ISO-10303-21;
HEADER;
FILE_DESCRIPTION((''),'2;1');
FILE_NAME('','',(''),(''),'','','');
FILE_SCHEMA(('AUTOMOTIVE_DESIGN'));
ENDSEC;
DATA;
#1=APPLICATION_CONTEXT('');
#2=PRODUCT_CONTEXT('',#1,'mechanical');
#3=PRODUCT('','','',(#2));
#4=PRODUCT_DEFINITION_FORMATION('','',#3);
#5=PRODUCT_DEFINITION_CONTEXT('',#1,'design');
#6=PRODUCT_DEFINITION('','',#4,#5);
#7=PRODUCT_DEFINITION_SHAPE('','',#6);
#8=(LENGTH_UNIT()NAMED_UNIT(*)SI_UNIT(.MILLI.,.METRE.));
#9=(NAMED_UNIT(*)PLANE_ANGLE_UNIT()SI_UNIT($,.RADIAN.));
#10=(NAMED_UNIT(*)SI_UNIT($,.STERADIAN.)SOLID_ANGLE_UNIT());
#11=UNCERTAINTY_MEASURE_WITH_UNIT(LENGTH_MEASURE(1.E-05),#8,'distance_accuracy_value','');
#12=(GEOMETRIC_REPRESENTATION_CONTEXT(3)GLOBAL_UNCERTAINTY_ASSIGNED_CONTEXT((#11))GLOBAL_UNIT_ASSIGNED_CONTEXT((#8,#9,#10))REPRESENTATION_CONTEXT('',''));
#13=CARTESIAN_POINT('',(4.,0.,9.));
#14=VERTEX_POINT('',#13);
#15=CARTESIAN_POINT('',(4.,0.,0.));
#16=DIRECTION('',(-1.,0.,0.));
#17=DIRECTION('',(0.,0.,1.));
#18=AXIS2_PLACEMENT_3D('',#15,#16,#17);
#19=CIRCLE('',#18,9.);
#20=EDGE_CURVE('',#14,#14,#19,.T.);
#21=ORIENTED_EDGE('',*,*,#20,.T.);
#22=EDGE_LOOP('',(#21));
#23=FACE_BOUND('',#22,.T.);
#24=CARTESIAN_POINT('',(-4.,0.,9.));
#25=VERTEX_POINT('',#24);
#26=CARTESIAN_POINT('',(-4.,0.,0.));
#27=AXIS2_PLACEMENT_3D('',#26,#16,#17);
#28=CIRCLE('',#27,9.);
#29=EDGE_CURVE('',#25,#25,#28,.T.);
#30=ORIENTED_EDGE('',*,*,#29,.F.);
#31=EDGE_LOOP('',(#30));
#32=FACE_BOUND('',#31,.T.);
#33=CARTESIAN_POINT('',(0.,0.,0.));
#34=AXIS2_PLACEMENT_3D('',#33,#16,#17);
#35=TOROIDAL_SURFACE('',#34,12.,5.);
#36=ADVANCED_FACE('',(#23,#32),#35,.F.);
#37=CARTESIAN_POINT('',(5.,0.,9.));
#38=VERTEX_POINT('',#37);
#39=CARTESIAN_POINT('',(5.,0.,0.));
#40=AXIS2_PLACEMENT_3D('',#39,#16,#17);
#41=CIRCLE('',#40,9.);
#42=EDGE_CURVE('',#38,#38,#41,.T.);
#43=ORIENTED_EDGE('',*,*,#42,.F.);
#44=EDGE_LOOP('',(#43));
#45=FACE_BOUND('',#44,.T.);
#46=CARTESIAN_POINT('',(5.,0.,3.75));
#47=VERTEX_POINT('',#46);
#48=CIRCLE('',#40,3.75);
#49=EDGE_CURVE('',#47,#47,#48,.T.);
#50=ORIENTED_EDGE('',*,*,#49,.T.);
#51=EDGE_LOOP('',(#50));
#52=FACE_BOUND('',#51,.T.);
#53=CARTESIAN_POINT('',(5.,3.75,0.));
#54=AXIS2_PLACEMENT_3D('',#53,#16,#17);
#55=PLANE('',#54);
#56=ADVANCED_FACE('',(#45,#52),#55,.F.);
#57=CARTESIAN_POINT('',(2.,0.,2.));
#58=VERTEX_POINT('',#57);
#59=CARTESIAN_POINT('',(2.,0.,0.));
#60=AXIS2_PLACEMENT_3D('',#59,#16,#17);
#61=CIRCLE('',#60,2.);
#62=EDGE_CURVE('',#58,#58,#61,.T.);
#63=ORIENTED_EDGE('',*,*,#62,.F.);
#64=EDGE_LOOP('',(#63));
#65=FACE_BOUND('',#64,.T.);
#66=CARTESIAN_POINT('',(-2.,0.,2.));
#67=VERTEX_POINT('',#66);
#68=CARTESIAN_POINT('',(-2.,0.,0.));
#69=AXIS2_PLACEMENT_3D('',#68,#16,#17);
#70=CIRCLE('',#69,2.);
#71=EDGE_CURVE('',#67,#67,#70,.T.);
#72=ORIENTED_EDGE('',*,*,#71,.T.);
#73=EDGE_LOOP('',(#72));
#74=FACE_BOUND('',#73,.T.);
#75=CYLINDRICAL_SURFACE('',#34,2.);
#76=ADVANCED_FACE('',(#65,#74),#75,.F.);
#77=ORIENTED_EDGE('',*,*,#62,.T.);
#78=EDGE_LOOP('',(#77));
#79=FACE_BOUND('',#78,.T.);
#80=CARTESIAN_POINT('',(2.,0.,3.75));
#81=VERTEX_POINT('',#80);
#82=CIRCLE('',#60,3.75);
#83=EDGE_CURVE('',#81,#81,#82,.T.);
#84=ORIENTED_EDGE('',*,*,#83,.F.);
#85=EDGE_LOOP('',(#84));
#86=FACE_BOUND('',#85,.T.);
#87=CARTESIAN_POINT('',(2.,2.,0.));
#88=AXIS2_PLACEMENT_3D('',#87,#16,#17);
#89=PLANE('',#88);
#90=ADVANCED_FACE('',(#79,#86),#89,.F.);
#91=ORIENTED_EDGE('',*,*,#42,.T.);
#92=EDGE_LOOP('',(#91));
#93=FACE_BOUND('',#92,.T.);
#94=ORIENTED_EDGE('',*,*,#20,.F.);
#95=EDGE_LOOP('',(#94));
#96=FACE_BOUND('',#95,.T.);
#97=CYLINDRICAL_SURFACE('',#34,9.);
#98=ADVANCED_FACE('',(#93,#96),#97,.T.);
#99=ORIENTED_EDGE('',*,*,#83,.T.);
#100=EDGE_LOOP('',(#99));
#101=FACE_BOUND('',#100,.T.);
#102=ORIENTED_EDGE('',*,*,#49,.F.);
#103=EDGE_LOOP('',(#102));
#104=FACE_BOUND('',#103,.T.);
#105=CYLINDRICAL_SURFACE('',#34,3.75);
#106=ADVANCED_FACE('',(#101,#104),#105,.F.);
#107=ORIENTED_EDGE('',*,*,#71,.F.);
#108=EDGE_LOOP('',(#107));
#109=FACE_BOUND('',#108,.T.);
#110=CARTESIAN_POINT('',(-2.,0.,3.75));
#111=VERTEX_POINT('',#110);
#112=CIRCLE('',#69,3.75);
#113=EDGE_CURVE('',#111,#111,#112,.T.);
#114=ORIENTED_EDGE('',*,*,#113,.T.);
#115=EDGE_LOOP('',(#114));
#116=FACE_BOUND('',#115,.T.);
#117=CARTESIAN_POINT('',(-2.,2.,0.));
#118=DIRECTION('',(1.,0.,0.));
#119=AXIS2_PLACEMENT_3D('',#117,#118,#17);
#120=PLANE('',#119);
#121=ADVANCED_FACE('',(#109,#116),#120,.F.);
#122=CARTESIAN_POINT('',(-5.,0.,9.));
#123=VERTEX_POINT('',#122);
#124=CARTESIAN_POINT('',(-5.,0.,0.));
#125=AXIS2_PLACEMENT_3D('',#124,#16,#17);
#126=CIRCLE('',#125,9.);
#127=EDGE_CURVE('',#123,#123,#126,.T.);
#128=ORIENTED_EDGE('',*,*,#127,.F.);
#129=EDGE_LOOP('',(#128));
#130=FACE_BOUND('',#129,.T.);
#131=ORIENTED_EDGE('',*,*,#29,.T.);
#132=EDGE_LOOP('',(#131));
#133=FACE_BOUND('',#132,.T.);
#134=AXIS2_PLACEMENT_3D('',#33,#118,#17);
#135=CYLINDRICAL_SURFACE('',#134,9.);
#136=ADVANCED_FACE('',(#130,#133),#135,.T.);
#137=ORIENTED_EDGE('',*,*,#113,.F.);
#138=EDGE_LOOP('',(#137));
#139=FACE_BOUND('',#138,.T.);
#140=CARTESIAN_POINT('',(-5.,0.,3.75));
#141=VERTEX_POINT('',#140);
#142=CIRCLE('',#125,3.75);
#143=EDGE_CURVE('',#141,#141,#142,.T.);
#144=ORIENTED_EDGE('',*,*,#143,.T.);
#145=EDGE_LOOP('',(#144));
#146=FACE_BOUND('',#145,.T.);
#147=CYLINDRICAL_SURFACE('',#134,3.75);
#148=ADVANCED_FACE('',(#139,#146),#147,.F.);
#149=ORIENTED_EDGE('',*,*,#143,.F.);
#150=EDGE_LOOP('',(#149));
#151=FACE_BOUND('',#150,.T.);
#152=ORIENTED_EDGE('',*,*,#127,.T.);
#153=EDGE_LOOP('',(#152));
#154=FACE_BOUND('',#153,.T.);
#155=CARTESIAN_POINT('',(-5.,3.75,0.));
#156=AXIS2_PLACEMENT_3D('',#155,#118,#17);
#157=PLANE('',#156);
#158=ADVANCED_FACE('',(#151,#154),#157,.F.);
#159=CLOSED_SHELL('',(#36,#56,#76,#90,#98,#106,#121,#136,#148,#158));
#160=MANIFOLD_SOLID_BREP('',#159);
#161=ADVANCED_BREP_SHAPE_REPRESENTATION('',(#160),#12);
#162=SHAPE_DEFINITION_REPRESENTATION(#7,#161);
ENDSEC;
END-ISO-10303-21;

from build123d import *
from build123d.topology import SkipClean


with BuildPart() as part:
    # Sketch1 → Revolve1 (revolve)
    with BuildSketch(Plane.XY, mode=Mode.PRIVATE) as revolve1_sk:
        with BuildLine():
            Line((0, 2), (2, 2))
            Line((2, 2), (2, 3.75))
            Line((2, 3.75), (5, 3.75))
            Line((5, 3.75), (5, 9))
            Line((5, 9), (4, 9))
            ThreePointArc((4, 9), (2.236067977, 7.527864045), (0, 7))
            Line((0, 7), (0, 2))
        make_face()
    revolve1 = revolve(revolve1_sk.sketch.rotate(Axis((0, 0, 0), (1, 0, 0)), 90), axis=Axis((0, 0, 0), (1, 0, 0)))

    # Mirror1: Revolve1 across plane
    with SkipClean():  # the faces are left unmerged after this step: merging them gives an invalid solid
        add(revolve1.mirror(Plane(origin=(0, 2, 0), x_dir=(0, 0, 1), z_dir=(1, 0, 0))))


solid = part.part
